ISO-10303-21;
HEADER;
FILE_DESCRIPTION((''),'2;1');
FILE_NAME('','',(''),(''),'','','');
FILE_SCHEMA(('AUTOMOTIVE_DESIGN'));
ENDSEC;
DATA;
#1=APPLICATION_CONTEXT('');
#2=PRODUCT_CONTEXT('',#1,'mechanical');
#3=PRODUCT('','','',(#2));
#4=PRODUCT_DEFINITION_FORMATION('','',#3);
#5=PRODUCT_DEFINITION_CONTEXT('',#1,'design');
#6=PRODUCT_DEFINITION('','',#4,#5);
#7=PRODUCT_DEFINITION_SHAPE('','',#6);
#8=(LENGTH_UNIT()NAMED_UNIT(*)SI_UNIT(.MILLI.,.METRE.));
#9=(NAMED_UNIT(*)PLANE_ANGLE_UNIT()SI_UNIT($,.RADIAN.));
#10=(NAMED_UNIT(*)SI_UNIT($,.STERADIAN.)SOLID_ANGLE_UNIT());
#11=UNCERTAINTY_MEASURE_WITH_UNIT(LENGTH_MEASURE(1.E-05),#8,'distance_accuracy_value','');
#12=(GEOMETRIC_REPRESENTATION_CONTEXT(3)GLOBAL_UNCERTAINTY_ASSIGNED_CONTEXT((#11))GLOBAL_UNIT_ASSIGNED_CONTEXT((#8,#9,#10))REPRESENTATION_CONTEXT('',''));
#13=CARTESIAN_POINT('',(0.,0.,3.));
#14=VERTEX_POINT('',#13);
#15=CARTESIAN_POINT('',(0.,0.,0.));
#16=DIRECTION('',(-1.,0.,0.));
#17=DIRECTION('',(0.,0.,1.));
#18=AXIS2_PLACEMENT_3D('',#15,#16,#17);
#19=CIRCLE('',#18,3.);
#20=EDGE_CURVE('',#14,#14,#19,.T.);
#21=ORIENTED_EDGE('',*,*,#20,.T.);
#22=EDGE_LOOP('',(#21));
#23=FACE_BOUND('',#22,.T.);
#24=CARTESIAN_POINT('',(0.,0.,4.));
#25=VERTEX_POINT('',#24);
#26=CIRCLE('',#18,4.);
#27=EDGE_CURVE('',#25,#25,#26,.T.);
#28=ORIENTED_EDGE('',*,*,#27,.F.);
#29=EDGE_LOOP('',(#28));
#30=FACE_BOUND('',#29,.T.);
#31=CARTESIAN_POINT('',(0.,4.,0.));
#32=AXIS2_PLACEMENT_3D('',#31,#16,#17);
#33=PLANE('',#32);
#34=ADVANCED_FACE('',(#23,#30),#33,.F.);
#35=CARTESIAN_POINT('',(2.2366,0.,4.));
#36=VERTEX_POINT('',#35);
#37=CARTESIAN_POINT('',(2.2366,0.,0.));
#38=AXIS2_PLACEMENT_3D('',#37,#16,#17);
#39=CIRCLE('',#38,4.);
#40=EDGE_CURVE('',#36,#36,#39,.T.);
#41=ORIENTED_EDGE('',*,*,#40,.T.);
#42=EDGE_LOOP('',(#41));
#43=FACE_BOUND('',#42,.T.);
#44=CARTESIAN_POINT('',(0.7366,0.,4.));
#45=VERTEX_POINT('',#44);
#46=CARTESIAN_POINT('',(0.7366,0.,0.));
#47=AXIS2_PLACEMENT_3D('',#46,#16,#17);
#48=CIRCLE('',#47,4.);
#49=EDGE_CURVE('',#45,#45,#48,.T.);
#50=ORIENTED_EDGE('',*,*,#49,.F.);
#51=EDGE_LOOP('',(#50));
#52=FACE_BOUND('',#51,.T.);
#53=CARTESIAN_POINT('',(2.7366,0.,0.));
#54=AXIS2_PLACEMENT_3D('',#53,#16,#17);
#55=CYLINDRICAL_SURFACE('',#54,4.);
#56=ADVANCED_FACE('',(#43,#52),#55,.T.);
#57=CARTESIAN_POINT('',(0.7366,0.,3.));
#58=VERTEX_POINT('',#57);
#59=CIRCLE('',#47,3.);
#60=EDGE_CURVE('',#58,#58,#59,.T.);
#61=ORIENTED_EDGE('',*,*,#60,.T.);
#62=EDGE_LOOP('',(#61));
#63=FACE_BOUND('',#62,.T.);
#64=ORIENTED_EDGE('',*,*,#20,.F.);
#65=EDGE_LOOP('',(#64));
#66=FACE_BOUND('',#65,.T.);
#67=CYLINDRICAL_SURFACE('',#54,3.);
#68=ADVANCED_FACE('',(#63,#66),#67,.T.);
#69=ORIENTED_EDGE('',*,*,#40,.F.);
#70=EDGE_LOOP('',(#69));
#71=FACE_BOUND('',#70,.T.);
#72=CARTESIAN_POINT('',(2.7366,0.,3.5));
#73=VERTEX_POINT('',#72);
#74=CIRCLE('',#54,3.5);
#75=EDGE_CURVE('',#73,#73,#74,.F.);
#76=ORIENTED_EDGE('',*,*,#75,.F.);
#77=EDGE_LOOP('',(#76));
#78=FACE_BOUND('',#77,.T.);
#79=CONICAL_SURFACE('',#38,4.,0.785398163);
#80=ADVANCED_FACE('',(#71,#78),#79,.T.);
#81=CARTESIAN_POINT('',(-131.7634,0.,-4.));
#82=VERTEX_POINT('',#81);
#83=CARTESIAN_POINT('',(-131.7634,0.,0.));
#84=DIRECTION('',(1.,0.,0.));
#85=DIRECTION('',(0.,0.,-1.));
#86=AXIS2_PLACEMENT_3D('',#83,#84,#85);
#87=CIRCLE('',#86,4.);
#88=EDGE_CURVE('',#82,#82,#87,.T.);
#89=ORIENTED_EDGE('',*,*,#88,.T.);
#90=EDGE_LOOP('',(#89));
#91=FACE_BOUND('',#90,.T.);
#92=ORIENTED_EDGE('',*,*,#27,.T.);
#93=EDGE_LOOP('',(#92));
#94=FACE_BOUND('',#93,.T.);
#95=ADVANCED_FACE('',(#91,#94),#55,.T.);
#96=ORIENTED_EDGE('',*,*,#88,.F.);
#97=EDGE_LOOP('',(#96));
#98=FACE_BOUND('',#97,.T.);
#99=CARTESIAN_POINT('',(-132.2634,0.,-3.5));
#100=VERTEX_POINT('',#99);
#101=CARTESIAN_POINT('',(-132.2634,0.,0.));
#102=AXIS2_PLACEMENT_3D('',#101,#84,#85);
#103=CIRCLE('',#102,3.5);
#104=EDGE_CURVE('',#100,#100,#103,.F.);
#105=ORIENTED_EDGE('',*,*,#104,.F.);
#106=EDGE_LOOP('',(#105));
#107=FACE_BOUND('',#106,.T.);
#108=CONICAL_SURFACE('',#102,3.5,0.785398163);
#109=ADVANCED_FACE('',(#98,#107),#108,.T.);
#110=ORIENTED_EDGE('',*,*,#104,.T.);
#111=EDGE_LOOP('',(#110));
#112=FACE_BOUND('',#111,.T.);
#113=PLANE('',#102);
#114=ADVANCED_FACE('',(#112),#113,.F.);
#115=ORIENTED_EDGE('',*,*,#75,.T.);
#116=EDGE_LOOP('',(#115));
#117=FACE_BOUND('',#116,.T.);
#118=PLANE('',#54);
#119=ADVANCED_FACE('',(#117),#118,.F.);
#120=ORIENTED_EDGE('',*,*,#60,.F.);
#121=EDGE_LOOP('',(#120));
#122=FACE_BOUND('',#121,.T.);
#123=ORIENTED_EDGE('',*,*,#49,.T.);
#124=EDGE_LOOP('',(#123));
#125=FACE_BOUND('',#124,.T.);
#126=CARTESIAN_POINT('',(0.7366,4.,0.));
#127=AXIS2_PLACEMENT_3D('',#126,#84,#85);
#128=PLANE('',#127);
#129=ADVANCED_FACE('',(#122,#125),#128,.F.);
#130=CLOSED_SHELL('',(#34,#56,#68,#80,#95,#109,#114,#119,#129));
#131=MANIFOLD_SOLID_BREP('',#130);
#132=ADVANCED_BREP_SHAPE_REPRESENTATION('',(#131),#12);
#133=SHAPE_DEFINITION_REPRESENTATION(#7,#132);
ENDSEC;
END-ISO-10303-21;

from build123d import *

# Parameters (mm, degrees)
CHAMFER1_SIZE = 0.5


with BuildPart() as part:
    # Sketch1 → Revolve1 (revolve)
    with BuildSketch(Plane.XY):
        Polygon((0.7366, 4), (2.7366, 4), (2.7366, 0), (-132.2634, 0), (-132.2634, 4), (0, 4), (0, 3), (0.7366, 3), align=None)
    revolve(axis=Axis((2.7366, 0, 0), (1, 0, 0)))

    # Chamfer1
    chamfer1_edges = [part.edges().sort_by_distance(p)[0] for p in [
        (2.7366, -4, 0),
        (-132.2634, -4, 0),
    ]]
    chamfer(chamfer1_edges, length=CHAMFER1_SIZE)


solid = part.part
